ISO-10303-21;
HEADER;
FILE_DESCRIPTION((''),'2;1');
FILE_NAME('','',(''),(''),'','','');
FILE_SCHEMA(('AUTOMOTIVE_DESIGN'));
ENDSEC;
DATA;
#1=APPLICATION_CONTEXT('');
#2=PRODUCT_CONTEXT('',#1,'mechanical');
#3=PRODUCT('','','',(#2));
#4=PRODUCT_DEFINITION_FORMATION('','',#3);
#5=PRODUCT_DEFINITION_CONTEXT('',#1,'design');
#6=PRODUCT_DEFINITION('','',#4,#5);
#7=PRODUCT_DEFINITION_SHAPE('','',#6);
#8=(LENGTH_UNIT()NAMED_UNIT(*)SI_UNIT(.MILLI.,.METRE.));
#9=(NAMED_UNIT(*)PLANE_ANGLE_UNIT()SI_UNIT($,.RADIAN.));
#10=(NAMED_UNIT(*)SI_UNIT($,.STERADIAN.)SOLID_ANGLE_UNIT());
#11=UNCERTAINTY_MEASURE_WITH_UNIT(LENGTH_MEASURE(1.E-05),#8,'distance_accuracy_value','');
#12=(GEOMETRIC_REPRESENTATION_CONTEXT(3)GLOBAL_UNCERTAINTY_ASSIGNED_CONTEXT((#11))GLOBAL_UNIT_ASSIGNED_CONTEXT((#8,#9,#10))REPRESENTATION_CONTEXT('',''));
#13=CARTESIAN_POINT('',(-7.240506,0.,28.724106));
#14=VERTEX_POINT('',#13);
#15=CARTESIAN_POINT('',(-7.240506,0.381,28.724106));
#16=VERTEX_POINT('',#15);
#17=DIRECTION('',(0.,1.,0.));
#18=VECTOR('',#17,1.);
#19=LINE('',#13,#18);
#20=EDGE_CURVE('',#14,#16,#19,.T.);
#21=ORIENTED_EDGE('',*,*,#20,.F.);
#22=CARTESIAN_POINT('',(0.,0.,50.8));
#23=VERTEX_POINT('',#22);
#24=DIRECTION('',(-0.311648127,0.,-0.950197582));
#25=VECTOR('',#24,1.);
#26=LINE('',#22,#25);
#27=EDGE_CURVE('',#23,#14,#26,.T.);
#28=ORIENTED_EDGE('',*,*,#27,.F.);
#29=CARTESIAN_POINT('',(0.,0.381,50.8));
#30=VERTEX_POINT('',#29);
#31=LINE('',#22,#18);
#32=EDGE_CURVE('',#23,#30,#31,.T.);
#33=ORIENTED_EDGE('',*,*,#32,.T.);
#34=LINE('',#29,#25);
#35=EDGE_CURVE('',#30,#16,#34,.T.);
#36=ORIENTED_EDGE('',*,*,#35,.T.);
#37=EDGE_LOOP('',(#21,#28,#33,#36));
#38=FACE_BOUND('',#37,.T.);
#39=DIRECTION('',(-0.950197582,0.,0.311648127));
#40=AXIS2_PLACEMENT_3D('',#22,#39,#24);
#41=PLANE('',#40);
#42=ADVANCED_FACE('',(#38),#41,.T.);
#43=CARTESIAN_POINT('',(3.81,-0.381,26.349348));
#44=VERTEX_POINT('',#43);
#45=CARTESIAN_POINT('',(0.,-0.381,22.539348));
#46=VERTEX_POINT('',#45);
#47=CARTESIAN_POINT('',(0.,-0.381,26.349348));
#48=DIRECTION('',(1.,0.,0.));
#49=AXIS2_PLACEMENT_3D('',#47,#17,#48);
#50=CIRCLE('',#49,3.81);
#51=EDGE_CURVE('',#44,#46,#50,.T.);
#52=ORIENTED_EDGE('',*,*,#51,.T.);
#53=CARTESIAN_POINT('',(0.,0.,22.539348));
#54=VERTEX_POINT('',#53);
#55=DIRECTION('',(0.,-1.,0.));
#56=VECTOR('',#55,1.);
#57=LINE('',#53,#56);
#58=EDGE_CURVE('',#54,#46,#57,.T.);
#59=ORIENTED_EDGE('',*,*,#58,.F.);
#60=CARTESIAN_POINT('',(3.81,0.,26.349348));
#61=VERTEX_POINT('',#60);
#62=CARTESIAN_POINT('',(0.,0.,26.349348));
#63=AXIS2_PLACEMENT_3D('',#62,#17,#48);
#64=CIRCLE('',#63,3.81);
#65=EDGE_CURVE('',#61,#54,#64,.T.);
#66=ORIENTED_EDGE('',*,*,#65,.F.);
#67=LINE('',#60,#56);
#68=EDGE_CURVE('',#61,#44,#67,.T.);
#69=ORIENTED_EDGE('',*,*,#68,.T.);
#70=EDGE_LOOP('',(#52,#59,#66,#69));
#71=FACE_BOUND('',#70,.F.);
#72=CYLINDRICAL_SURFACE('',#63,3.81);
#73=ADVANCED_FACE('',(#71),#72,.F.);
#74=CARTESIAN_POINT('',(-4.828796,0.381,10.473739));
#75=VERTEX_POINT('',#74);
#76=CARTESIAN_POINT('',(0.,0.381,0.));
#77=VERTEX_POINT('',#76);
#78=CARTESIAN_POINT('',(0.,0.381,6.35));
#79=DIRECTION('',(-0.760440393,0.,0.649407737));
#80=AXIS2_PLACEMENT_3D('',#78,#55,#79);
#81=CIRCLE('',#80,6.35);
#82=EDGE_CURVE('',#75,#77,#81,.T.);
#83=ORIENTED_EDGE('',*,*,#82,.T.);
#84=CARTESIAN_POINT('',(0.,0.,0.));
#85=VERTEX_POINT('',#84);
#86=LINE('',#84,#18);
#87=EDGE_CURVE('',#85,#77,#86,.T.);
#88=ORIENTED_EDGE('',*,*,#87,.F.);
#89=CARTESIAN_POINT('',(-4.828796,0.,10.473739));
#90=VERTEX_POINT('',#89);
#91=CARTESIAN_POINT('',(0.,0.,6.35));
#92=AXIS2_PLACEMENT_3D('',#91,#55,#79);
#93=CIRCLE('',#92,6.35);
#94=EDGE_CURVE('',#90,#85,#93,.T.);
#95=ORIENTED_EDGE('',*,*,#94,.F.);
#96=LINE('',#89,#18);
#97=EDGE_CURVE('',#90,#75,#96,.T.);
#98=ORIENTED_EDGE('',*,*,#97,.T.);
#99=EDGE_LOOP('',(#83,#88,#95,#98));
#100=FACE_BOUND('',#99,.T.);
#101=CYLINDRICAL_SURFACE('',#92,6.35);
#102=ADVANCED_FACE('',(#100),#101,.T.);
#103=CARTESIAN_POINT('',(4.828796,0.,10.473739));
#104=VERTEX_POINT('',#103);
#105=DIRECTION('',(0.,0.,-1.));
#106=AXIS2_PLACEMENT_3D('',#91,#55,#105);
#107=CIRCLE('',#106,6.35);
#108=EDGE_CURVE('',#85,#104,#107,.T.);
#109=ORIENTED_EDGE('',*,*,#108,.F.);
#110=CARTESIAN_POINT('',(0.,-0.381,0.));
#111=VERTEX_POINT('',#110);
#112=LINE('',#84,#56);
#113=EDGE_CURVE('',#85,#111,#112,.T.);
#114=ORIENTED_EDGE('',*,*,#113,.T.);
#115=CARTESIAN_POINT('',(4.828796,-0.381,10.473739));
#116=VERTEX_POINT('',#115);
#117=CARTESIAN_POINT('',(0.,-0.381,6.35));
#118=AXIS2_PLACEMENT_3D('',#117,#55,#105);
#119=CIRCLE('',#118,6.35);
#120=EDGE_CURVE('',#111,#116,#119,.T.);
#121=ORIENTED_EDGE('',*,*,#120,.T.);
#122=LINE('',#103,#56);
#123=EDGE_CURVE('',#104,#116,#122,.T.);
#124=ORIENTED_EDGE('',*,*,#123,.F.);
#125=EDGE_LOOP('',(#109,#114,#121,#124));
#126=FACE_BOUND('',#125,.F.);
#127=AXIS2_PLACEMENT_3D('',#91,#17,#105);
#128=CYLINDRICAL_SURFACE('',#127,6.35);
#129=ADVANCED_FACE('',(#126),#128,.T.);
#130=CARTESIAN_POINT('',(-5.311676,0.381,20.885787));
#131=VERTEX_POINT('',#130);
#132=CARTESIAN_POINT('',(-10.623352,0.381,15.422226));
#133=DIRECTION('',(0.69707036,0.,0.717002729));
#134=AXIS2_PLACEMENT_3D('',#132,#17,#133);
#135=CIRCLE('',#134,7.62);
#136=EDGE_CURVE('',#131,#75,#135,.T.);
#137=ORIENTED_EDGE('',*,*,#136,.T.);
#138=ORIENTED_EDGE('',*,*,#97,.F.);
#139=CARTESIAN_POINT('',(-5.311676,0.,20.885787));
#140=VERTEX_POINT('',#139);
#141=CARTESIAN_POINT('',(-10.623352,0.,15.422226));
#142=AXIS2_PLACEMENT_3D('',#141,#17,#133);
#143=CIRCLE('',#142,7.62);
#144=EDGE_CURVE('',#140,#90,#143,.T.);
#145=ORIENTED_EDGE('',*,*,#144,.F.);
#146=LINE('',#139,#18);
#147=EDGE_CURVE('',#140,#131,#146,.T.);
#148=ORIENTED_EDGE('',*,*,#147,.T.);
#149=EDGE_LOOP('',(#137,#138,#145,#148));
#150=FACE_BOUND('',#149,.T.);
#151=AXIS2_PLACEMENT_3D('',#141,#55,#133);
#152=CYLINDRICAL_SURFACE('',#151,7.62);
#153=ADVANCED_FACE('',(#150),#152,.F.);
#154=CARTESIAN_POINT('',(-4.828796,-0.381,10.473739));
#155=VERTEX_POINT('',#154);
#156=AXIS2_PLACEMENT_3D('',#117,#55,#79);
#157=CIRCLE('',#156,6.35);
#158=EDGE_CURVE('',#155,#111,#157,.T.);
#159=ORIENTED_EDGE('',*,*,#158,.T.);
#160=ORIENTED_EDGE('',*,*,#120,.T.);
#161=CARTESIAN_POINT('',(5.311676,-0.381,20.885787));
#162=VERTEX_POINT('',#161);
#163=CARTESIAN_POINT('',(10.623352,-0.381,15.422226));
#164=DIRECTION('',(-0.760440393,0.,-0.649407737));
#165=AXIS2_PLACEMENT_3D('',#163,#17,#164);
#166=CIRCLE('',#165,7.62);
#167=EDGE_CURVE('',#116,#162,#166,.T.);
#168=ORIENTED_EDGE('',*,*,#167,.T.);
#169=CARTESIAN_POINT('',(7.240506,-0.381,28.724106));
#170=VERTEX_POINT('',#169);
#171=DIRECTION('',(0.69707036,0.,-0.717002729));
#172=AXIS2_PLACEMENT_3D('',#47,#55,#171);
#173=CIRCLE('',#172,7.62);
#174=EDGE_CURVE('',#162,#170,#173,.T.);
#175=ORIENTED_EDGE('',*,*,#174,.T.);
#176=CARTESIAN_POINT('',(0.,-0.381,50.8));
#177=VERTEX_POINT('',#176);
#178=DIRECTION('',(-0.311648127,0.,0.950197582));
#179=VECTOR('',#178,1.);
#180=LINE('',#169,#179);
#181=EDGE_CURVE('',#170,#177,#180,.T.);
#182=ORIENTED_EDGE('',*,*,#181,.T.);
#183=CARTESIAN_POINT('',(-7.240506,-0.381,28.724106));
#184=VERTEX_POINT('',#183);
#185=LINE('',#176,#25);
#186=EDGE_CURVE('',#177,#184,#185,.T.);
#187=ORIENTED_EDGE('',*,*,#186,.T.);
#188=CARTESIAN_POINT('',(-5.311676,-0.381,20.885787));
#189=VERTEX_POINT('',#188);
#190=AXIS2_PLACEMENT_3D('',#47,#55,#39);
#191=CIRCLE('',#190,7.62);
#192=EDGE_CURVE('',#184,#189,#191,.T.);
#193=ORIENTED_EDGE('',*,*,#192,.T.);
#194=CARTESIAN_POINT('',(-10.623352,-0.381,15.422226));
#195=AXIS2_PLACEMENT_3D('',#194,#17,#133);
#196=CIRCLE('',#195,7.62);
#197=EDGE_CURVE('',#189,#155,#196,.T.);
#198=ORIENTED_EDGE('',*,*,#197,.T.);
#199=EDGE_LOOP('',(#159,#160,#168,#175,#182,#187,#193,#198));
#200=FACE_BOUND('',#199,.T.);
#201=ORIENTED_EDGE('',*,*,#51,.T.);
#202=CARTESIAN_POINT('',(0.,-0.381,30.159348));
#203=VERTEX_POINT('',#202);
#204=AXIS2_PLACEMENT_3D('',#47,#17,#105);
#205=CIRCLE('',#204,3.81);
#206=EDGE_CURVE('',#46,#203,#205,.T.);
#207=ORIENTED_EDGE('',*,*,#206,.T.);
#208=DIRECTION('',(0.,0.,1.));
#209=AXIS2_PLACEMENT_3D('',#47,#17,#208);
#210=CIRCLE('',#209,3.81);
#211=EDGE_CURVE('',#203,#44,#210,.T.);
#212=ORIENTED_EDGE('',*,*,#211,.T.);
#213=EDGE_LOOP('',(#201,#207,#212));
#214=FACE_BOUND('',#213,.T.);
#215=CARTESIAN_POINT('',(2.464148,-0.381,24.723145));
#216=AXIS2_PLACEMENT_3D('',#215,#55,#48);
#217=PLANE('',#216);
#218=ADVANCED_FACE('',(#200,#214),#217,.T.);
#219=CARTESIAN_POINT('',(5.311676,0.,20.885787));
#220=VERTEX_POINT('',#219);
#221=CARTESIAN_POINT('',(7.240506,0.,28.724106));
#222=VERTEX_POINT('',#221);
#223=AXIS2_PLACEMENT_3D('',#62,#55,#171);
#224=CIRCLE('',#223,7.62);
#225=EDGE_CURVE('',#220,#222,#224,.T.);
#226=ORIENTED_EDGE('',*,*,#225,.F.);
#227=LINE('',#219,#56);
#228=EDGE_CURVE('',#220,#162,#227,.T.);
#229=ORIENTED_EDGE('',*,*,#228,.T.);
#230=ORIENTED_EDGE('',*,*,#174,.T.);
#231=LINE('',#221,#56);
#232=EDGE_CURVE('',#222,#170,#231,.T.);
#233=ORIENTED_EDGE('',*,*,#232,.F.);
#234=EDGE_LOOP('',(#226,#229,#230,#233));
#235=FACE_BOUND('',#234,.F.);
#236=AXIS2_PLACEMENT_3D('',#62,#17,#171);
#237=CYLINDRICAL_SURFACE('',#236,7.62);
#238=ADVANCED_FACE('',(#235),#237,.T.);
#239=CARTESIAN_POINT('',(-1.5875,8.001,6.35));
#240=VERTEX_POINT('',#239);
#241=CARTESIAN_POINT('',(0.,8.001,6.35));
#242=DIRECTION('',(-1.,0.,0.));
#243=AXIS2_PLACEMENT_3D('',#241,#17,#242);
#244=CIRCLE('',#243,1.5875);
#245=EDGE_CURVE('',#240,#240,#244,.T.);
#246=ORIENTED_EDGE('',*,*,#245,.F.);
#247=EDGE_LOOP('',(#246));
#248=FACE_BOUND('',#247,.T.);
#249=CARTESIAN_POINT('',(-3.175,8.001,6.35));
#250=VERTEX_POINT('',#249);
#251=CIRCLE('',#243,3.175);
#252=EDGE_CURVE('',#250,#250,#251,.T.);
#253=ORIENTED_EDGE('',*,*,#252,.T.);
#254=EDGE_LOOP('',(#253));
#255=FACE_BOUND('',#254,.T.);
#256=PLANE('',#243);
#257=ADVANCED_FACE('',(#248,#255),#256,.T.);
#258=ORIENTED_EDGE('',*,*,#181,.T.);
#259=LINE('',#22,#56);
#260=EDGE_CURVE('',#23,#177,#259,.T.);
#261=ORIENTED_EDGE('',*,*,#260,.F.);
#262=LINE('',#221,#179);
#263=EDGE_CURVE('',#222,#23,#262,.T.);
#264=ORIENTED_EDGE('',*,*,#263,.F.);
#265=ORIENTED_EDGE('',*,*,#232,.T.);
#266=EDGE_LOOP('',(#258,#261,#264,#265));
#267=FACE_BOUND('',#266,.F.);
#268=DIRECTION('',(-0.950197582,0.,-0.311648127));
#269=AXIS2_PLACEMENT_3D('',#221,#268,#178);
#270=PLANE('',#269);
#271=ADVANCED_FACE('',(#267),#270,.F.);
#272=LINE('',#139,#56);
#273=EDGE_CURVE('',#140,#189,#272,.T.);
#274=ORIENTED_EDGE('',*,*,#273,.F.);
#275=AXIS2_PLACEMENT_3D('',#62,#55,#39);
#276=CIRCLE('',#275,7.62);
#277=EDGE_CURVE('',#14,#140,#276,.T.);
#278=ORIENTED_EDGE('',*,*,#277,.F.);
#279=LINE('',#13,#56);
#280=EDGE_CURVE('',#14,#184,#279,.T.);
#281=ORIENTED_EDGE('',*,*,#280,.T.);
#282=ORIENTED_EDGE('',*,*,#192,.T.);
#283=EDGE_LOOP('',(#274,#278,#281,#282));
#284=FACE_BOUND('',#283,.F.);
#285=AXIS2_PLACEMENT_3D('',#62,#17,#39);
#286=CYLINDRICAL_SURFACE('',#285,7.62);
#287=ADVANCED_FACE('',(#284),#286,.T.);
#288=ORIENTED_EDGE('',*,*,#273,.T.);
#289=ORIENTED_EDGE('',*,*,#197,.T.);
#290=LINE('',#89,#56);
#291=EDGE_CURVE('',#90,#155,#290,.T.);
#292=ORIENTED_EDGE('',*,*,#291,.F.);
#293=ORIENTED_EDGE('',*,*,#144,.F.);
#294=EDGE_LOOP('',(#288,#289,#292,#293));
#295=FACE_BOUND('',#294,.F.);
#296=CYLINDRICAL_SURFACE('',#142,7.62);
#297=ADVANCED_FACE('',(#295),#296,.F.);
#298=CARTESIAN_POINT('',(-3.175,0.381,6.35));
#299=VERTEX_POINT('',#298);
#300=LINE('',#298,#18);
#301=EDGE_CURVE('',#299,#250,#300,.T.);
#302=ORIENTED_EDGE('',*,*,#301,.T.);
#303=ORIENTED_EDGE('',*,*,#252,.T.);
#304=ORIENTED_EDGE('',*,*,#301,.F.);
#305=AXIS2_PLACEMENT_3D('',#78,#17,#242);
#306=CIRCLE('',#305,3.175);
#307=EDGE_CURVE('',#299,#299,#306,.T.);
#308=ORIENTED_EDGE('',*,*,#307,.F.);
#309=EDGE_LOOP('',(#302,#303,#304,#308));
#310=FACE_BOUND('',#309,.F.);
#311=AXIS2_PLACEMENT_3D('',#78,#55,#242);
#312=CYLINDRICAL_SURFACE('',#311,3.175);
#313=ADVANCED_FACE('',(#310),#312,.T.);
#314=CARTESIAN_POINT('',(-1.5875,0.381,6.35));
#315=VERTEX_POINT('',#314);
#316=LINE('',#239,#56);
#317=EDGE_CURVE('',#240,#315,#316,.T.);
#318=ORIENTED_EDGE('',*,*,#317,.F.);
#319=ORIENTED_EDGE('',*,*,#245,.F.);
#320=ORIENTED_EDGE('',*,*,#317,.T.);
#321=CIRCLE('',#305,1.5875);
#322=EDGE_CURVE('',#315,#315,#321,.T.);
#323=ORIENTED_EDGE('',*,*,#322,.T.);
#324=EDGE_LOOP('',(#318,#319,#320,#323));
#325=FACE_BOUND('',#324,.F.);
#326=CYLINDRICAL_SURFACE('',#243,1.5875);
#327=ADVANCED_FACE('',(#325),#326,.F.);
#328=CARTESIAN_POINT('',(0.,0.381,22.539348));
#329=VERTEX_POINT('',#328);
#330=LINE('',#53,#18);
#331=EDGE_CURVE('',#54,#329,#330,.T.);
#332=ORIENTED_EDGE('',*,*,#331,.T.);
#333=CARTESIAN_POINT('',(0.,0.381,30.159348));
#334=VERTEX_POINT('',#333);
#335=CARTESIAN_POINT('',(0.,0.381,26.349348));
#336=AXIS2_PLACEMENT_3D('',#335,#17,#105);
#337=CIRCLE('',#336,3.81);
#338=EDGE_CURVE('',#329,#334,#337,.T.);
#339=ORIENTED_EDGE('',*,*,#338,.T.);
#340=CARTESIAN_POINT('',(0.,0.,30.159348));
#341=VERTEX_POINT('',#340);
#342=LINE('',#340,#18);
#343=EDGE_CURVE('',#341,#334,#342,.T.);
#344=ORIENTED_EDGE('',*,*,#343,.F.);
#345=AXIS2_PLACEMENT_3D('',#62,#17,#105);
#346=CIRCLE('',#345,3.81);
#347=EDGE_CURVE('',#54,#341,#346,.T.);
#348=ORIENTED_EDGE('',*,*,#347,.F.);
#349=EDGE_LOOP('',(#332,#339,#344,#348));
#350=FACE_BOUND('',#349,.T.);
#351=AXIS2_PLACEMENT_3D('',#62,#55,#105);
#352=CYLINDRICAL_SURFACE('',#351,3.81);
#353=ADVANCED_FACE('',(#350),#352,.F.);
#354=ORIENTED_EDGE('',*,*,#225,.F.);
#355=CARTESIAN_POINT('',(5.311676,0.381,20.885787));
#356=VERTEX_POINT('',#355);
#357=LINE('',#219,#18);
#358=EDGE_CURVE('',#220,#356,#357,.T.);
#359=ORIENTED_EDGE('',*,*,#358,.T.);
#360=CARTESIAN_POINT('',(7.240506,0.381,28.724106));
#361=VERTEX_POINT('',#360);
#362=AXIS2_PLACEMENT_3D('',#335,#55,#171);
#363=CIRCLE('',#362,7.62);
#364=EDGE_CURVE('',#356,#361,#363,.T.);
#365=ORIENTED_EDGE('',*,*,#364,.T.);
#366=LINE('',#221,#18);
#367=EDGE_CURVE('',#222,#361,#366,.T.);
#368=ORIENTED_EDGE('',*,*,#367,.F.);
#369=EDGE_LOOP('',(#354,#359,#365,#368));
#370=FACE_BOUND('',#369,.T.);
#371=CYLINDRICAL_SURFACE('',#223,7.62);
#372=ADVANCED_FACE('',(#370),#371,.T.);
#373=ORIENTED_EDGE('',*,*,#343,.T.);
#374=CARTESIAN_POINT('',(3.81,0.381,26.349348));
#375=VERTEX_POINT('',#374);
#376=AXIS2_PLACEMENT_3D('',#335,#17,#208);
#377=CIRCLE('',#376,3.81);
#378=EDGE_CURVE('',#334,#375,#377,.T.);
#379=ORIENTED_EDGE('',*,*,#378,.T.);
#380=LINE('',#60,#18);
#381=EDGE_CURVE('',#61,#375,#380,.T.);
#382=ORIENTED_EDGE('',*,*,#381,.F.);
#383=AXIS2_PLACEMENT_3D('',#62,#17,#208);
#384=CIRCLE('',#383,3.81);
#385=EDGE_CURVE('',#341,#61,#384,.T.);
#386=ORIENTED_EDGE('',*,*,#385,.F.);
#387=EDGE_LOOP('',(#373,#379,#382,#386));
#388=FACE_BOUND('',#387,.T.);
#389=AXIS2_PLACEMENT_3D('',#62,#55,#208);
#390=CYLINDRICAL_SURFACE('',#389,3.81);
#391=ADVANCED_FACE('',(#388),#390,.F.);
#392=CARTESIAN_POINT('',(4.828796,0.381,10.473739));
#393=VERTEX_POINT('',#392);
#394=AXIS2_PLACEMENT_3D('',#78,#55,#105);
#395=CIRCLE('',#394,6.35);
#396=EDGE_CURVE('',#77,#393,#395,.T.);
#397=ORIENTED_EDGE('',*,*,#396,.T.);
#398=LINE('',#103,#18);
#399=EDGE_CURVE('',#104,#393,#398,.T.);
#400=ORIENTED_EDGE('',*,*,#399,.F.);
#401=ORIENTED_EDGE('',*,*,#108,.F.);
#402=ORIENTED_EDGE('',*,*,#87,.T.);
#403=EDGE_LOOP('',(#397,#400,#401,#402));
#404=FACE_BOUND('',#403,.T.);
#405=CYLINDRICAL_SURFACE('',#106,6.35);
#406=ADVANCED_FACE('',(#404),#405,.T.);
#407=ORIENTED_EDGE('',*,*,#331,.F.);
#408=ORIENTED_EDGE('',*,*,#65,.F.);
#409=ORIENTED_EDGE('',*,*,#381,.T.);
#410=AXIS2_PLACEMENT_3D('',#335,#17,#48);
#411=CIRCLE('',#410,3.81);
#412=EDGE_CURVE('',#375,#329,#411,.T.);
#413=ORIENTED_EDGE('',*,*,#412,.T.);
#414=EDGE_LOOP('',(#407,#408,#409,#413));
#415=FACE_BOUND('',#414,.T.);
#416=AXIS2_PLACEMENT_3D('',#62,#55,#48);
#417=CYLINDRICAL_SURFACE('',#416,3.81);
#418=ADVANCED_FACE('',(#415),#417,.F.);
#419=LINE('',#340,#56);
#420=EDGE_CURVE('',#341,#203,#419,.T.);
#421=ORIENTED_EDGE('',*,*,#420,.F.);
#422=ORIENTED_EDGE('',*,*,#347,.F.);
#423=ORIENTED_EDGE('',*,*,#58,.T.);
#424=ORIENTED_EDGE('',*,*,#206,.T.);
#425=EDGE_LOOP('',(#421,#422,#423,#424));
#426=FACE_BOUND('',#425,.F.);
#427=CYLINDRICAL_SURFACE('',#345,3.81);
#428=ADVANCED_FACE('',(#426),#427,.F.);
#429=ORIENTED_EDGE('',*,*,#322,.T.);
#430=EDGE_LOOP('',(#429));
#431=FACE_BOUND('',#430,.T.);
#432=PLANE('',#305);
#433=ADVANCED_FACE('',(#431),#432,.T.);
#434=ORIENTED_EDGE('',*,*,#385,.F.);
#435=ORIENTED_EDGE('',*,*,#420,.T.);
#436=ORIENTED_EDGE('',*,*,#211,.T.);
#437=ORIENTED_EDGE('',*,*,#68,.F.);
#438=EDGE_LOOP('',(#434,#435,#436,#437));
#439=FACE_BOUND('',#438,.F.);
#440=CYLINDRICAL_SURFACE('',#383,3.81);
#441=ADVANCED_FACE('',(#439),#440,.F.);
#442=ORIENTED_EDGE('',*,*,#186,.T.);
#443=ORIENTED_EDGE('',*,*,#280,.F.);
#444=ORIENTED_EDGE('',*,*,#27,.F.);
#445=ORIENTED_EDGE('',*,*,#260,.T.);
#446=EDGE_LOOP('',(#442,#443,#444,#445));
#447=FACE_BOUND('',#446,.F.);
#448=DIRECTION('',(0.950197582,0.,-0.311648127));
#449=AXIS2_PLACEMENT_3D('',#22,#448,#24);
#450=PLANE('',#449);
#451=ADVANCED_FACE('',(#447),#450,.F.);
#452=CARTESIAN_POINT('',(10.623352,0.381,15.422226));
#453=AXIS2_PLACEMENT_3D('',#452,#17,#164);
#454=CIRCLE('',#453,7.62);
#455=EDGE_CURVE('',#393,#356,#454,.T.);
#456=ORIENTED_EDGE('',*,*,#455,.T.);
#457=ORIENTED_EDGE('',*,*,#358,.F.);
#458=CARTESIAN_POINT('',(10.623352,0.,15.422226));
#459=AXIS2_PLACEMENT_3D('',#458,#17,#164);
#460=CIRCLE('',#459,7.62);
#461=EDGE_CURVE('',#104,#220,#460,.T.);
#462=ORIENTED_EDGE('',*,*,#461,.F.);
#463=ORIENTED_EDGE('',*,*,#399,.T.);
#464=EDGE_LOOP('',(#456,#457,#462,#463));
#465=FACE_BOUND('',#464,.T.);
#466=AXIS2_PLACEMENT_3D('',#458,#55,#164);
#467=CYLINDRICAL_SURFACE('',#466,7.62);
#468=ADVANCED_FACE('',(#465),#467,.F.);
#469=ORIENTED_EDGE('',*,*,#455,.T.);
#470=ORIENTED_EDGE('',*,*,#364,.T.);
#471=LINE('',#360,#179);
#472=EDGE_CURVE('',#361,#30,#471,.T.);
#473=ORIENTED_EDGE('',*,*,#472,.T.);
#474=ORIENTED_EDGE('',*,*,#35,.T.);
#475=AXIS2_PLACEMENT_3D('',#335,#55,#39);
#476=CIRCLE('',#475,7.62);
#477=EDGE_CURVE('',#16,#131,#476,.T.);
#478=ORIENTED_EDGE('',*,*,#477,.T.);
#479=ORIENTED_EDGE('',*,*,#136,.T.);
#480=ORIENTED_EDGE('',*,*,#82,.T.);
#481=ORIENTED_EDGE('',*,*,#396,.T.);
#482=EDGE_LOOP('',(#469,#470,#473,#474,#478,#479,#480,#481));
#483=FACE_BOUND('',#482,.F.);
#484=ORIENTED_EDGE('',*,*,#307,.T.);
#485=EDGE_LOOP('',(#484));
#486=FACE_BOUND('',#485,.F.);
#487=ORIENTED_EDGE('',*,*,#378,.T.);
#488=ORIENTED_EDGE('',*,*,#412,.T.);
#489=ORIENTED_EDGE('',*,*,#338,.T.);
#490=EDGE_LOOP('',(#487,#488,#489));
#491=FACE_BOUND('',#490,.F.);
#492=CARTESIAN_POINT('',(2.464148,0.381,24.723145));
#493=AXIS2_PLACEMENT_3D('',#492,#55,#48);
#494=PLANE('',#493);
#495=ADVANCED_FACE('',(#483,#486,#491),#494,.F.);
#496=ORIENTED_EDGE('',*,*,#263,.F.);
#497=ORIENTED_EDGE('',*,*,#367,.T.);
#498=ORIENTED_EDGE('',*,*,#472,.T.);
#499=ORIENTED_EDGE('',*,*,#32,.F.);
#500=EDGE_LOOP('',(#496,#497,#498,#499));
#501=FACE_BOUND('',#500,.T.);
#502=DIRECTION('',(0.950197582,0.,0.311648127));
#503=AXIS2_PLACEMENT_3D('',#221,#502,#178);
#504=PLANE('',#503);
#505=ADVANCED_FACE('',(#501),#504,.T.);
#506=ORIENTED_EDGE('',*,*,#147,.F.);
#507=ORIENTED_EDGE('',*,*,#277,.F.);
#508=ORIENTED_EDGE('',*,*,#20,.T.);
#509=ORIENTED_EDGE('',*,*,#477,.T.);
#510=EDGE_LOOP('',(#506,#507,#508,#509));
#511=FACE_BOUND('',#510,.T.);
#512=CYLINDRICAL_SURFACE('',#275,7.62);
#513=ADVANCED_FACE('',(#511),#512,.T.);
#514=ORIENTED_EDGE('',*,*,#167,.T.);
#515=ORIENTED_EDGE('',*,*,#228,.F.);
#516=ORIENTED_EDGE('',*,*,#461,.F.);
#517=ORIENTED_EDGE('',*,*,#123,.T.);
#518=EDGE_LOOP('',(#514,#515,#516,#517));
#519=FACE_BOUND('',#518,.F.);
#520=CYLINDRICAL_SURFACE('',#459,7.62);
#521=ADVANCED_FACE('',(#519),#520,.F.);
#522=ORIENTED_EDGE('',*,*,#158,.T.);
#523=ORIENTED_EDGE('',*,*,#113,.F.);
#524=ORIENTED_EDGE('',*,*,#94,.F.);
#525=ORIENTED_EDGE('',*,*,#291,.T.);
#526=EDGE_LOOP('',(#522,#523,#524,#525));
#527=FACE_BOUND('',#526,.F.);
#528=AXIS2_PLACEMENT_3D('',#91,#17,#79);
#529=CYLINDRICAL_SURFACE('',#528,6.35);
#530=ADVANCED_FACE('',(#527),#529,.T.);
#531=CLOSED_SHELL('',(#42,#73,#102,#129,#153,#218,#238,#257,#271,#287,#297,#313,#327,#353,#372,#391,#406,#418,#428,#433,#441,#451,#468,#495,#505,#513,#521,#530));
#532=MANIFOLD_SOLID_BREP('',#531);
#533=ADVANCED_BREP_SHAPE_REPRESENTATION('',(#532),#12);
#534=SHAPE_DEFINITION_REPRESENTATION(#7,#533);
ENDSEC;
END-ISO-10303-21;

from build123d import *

# Parameters (mm, degrees)
F1_DEPTH = 0.381
F2_R     = 3.175
F3_DEPTH = 7.62
F4_R     = 1.5875
F5_DEPTH = 7.62


with BuildPart() as f1:
    # F0 (on Front) → F1 (new body, symmetric)
    with BuildSketch(Plane.XZ):
        with BuildLine():
            Line((0, 22.5393476782), (0, 0))
            ThreePointArc((0, 0), (5.7666386867, 3.691357817), (4.8287964934, 10.4737391315))
            ThreePointArc((4.8287964934, 10.4737391315), (3.0115337416, 15.7752394789), (5.3116761428, 20.8857868838))
            ThreePointArc((5.3116761428, 20.8857868838), (7.399265484, 24.5285593059), (7.2405055752, 28.7241064059))
            Line((7.2405055752, 28.7241064059), (0, 50.8))
            Line((0, 50.8), (0, 30.1593476782))
            ThreePointArc((0, 30.1593476782), (2.6940768363, 29.0434245145), (3.81, 26.3493476782))
            ThreePointArc((3.81, 26.3493476782), (2.6940768363, 23.6552708418), (0, 22.5393476782))
        make_face()
        with BuildLine():
            ThreePointArc((-4.8287964934, 10.4737391315), (-5.7666386867, 3.691357817), (0, 0))
            Line((0, 0), (0, 22.5393476782))
            ThreePointArc((0, 22.5393476782), (-3.81, 26.3493476782), (0, 30.1593476782))
            Line((0, 30.1593476782), (0, 50.8))
            Line((0, 50.8), (-7.2405055752, 28.7241064059))
            ThreePointArc((-7.2405055752, 28.7241064059), (-7.399265484, 24.5285593059), (-5.3116761428, 20.8857868838))
            ThreePointArc((-5.3116761428, 20.8857868838), (-3.0115337416, 15.7752394789), (-4.8287964934, 10.4737391315))
        make_face()
    extrude(amount=F1_DEPTH, both=True)

    # F2 (on face) → F3 (join)
    with BuildSketch(Plane(origin=(0, 0.381, 0), x_dir=(-1, 0, 0), z_dir=(0, 1, 0))):
        with Locations((0, 6.35)):
            Circle(F2_R)
    extrude(amount=F3_DEPTH)

    # F4 (on face) → F5 (cut)
    with BuildSketch(Plane(origin=(0, 8.001, 0), x_dir=(-1, 0, 0), z_dir=(0, 1, 0))):
        with Locations((0, 6.35)):
            Circle(F4_R)
    extrude(amount=-F5_DEPTH, mode=Mode.SUBTRACT)


solid = f1.part
